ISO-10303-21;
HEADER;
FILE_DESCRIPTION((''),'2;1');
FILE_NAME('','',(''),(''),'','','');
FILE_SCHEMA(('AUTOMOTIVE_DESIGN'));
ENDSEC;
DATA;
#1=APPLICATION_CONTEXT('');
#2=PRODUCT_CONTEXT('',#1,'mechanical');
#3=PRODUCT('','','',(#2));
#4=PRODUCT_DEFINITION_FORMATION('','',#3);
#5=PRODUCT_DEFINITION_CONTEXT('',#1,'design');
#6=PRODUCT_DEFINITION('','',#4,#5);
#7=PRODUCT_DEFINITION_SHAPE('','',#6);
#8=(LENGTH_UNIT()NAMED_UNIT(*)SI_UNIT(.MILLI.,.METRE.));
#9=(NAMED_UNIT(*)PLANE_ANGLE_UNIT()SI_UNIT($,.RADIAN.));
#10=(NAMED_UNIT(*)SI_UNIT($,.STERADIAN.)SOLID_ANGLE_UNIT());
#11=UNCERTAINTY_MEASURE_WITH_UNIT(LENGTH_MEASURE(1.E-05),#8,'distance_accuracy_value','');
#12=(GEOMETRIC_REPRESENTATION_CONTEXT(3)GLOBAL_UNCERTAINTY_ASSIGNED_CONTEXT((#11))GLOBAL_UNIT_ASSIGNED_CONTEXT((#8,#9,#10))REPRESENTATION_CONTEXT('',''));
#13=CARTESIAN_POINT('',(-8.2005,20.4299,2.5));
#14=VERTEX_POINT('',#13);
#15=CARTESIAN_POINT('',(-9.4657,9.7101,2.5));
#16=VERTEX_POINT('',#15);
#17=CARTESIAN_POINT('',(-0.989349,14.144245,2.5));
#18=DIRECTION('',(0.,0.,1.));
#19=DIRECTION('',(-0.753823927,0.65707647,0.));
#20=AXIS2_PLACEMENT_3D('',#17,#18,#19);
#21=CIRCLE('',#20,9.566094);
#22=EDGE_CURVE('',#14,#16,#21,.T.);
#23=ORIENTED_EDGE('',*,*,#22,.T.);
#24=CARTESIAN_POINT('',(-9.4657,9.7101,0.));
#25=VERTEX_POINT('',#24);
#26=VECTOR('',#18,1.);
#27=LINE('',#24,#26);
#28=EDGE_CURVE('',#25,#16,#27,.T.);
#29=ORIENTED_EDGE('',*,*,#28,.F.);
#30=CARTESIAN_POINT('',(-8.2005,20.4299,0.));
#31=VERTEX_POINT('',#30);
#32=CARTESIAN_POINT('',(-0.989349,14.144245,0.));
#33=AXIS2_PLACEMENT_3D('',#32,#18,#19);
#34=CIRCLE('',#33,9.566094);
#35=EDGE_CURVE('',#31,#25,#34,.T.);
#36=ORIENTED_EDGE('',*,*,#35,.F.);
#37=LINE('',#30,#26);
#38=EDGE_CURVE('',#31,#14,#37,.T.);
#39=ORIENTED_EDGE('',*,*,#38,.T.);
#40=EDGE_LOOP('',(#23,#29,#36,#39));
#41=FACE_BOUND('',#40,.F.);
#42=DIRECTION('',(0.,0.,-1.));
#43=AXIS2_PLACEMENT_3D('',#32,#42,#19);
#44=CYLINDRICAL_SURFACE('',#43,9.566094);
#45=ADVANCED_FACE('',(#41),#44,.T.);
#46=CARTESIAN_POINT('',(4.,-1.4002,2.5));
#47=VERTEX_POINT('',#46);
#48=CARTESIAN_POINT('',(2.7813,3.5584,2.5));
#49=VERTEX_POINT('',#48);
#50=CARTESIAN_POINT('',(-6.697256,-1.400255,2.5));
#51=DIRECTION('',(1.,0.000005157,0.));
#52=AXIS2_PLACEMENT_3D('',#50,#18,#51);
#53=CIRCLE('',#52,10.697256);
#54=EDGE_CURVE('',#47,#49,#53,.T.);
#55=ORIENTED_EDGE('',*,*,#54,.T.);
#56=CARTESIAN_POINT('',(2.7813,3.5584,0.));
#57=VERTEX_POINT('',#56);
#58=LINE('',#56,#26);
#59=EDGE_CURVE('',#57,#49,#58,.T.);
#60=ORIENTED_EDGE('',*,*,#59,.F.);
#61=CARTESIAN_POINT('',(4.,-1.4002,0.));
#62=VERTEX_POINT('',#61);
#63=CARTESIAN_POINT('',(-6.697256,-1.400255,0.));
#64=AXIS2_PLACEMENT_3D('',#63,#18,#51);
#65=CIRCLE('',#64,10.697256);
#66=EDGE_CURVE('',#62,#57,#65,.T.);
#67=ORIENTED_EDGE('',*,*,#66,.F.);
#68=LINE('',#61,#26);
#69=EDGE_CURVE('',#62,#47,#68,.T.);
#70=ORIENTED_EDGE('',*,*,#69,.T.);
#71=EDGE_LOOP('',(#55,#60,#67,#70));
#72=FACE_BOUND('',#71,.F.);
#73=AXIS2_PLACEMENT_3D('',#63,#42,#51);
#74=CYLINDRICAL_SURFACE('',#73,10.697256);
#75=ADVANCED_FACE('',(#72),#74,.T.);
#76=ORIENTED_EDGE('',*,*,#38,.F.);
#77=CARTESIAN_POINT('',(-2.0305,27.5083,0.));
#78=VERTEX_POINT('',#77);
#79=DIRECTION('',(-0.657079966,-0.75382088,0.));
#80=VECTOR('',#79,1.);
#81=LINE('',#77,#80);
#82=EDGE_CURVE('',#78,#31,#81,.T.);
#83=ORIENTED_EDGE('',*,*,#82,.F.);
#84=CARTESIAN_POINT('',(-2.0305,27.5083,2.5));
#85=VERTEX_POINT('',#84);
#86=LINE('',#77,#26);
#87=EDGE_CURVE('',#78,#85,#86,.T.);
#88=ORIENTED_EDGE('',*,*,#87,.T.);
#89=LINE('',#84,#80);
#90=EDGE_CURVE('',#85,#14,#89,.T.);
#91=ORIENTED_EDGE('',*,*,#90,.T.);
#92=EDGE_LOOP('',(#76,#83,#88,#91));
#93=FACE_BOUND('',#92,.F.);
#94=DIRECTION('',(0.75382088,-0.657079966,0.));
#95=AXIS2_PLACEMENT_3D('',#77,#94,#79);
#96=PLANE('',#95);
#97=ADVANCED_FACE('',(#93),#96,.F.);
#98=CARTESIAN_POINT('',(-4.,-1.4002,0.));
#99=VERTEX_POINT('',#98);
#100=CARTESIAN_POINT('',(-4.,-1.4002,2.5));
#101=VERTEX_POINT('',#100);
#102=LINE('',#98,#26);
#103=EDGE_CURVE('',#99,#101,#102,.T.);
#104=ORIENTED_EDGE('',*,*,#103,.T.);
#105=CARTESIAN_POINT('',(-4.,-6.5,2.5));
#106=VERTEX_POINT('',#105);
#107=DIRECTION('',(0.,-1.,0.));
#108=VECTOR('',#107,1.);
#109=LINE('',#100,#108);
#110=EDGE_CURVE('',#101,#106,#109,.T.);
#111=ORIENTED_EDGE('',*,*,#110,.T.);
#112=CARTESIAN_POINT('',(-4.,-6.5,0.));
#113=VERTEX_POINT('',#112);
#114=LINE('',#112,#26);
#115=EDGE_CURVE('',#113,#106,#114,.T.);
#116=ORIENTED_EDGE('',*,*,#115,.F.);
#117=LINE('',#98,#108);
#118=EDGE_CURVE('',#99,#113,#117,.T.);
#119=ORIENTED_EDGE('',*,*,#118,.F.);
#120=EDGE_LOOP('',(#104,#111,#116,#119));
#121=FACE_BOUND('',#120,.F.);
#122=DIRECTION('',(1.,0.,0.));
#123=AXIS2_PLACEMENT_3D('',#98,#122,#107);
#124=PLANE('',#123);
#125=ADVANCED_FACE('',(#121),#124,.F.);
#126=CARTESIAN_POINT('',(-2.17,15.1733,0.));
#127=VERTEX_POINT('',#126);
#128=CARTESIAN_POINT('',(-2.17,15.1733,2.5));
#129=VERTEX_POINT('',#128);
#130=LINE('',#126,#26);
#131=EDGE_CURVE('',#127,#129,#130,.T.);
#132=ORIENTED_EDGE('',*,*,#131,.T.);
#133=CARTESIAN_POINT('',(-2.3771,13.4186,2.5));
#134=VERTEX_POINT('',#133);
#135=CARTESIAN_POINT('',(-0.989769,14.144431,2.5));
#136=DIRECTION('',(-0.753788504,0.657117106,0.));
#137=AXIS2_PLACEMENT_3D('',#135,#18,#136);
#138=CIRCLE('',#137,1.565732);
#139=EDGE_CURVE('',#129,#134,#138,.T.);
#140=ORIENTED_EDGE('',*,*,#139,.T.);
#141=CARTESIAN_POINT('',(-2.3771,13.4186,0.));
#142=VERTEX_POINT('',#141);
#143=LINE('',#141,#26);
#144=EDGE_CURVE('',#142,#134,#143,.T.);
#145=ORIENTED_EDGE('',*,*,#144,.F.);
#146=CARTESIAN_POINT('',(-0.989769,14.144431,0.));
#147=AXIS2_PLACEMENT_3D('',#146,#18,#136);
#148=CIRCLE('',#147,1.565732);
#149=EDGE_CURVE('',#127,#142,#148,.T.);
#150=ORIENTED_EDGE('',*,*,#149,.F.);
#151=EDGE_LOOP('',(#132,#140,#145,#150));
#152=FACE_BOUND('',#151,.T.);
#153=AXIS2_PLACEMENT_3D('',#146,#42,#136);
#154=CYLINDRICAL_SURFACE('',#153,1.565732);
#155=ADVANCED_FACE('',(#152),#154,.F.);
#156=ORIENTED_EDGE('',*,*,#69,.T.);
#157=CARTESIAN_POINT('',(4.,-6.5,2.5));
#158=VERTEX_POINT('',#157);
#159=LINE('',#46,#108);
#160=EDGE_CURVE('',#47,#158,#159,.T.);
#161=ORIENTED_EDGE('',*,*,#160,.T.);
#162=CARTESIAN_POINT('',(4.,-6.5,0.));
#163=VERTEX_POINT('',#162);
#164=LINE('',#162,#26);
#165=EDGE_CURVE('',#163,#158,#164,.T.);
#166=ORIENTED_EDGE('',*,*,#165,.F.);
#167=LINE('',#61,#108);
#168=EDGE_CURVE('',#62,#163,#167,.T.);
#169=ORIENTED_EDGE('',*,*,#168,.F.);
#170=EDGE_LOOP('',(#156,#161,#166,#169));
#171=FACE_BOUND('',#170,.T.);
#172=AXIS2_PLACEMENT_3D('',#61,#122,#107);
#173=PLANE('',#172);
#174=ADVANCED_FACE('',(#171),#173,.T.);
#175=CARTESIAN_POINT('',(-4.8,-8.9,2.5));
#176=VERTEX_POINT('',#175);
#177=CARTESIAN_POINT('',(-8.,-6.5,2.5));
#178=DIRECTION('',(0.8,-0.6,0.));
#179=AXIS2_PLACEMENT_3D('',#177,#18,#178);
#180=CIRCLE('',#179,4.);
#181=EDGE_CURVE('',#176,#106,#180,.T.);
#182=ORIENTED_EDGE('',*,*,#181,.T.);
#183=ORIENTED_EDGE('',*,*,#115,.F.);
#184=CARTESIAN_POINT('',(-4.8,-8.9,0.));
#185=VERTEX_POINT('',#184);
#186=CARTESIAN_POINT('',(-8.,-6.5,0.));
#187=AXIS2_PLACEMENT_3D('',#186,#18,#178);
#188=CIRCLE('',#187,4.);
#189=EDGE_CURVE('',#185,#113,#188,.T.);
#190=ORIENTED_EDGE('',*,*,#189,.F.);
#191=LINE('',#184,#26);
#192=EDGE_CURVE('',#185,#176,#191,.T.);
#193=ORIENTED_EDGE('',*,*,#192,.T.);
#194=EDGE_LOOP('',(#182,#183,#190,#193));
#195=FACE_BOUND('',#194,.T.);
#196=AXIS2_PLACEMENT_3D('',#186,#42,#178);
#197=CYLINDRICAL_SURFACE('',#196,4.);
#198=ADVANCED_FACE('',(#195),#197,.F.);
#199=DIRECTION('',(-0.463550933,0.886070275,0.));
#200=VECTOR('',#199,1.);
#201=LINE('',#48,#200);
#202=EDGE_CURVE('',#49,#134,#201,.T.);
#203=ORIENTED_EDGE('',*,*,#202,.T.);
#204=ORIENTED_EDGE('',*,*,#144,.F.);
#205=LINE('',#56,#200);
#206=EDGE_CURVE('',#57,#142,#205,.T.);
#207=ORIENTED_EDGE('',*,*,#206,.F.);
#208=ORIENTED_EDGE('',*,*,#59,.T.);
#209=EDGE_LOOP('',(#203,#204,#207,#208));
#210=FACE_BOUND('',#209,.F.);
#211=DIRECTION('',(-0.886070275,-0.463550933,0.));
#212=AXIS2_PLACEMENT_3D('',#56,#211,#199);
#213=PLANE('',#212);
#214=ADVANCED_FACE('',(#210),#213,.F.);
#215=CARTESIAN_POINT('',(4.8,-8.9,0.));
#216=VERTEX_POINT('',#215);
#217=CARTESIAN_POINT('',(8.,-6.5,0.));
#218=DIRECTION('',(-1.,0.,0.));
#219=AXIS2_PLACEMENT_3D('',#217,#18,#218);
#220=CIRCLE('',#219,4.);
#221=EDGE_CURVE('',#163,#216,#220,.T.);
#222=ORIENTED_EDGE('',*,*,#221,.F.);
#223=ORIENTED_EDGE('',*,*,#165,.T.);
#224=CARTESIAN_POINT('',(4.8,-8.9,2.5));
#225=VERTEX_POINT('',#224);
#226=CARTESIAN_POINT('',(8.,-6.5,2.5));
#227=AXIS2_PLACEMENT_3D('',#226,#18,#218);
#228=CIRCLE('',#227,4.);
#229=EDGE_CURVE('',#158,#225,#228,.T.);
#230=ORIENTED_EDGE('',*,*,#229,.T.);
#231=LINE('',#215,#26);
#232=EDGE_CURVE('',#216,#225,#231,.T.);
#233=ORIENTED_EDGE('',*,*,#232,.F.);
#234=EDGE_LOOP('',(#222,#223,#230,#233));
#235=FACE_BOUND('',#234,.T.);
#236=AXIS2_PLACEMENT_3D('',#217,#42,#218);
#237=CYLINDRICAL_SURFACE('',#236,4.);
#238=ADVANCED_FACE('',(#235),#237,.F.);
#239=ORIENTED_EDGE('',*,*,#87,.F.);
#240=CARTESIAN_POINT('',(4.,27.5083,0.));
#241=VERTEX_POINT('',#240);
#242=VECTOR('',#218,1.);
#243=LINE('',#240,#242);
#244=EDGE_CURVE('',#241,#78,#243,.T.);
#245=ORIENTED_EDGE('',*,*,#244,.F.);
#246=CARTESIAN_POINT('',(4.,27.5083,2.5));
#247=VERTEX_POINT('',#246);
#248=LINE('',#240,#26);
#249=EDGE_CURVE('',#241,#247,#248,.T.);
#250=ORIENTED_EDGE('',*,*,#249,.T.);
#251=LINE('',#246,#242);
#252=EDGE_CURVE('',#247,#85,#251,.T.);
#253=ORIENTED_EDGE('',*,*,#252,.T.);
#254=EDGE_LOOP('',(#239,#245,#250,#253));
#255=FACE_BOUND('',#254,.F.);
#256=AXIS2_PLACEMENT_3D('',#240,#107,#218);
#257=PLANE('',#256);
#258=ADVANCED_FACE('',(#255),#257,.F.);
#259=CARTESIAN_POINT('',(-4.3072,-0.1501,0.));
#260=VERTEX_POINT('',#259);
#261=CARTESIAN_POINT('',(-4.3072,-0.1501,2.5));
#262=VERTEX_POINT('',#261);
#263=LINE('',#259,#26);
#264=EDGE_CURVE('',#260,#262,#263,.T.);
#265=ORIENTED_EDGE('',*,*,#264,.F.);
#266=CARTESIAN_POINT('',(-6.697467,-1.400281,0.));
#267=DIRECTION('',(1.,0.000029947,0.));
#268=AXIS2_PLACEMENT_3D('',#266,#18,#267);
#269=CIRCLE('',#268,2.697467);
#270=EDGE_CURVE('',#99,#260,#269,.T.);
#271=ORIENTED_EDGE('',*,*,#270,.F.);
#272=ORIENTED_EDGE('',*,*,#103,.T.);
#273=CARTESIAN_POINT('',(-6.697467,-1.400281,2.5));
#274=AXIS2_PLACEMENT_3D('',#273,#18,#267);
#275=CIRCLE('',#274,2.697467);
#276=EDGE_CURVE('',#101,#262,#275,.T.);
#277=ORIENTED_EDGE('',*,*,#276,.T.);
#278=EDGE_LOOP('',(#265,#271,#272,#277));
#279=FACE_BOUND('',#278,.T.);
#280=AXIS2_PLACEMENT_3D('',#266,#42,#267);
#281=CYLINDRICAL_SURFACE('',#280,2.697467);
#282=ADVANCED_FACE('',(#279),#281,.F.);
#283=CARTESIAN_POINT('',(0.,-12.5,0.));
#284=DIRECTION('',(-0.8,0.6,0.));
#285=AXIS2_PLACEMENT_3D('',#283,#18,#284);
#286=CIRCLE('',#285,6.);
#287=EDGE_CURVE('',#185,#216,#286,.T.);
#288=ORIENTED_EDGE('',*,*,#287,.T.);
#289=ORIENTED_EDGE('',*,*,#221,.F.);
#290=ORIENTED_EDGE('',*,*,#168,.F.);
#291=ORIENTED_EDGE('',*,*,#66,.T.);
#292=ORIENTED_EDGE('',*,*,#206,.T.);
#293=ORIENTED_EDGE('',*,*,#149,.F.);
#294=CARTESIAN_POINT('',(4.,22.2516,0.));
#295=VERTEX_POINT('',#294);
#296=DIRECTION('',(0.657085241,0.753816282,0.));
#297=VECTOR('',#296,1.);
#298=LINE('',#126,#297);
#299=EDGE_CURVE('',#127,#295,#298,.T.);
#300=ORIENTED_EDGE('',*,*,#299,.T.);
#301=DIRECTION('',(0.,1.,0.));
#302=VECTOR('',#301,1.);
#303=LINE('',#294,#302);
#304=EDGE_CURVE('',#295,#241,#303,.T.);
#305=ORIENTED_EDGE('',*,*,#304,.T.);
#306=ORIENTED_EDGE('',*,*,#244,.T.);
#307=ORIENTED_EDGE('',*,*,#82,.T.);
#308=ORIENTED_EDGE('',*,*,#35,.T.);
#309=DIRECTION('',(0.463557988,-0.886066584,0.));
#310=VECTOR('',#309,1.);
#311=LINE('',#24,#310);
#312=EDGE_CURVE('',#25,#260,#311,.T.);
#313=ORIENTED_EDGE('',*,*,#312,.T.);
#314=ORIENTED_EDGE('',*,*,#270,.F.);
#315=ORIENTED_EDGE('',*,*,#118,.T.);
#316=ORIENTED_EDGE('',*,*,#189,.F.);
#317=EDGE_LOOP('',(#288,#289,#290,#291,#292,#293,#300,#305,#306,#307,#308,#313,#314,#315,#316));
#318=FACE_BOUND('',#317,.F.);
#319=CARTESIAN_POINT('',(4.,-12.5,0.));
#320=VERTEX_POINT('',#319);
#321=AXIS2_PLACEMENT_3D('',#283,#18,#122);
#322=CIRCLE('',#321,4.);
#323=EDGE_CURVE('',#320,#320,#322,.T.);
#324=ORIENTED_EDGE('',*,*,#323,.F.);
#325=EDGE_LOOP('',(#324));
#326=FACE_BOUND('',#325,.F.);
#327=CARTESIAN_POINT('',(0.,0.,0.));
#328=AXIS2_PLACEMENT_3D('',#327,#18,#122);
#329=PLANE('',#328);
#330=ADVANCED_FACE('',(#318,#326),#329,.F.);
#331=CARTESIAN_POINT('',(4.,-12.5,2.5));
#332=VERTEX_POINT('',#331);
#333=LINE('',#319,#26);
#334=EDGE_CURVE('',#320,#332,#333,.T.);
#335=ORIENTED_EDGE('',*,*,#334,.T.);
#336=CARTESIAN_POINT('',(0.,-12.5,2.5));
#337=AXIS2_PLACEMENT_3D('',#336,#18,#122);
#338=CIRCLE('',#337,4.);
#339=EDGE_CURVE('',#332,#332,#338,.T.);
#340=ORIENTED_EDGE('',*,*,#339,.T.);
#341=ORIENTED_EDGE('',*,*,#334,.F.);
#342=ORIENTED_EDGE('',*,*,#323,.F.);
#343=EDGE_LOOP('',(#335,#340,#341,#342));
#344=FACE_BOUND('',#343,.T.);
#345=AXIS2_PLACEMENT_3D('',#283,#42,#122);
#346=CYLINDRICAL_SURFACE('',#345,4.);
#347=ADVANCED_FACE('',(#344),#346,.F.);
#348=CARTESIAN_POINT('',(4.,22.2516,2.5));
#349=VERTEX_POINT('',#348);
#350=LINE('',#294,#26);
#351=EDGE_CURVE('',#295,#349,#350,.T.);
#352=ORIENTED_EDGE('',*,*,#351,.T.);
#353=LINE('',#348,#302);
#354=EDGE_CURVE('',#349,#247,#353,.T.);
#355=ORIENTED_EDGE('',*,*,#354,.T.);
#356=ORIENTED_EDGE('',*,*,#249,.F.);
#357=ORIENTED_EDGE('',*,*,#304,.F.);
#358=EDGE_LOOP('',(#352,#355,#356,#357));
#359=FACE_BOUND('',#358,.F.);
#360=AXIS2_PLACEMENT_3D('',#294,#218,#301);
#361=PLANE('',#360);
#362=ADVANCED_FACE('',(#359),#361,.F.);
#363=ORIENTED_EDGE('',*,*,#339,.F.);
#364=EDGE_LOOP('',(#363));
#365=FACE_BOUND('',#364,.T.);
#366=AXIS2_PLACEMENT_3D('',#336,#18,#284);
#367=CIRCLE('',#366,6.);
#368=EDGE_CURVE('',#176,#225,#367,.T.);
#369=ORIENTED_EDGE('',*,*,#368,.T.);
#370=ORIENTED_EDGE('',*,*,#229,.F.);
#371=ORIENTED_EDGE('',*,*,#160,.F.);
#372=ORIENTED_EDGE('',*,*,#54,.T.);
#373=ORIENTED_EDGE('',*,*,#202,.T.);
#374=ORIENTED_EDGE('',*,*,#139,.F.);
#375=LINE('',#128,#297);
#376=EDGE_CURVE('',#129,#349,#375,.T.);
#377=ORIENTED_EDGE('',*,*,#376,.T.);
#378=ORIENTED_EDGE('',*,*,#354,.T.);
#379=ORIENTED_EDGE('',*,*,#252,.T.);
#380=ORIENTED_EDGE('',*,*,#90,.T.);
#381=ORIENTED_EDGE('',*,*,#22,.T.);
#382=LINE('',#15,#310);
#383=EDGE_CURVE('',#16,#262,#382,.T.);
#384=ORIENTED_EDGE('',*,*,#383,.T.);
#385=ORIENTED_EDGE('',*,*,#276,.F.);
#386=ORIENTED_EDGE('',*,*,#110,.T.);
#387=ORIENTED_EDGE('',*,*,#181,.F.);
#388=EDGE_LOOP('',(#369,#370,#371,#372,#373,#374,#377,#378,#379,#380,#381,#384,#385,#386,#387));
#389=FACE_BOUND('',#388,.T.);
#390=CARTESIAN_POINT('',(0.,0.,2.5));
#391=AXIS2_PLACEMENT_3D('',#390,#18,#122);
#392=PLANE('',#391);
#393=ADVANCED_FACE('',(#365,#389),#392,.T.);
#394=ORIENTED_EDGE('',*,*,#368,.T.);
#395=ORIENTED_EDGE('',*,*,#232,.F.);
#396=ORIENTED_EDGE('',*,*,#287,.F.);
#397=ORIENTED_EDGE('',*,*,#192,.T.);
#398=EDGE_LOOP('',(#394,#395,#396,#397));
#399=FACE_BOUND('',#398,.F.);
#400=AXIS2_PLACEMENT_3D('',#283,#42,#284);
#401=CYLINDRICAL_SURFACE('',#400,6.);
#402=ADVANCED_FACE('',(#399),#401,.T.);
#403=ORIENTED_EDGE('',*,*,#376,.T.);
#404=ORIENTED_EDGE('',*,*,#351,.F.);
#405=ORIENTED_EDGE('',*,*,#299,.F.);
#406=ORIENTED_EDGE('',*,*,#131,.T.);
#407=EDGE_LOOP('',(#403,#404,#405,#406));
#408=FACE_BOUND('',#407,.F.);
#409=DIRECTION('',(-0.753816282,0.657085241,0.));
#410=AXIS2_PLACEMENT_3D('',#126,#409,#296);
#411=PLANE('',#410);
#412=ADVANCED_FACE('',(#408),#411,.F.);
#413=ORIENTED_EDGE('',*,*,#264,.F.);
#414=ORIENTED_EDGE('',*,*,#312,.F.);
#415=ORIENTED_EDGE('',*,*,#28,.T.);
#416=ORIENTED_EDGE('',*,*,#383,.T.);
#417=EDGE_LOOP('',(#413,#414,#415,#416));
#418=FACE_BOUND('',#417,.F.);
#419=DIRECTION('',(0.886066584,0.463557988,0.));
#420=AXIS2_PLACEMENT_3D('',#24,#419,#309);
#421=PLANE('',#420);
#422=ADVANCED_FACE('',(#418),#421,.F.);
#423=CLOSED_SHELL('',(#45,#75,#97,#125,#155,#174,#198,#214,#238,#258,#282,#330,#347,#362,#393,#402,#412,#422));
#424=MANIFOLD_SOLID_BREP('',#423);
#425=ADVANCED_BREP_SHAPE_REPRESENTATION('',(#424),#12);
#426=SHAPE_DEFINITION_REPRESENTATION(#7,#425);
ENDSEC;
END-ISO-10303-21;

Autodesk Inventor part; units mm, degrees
ref_plane "YZ Plane" through (0, 0, 0) normal (1, 0, 0) x (0, 1, 0)
ref_plane "XZ Plane" through (0, 0, 0) normal (0, 1, 0) x (-1, 0, 0)
ref_plane "XY Plane" through (0, 0, 0) normal (0, 0, 1) x (1, 0, 0)
sketch "Sketch1" plane through (0, 0, 0) normal (0, 0, 1) x (1, 0, 0)
  line L0 (0, 0) -> (2.8584, 0)
  line L1 (0, 0) -> (0, 3.8884)
  circle A0 centre (0, -12.5) radius 4
  arc A1 (-4.8, -8.9) -> (4.8, -8.9) centre (0, -12.5) ccw
  line L2 (4, -1.4002) -> (4, -6.5)
  line L3 (-9.4657, 9.7101) -> (-4.3072, -0.1501)
  arc A2 (-4, -1.4002) -> (-4.3072, -0.1501) centre (-6.6968, -1.4002) ccw
  line L4 (-4, -1.4002) -> (-4, -6.5)
  line L5 (4, -6.5) -> (4, -1.4002)
  arc A3 (4, -1.4002) -> (2.7813, 3.5584) centre (-6.6968, -1.4002) ccw
  line L6 (2.7813, 3.5584) -> (-2.3771, 13.4186)
  arc A4 (-2.17, 15.1733) -> (-2.3771, 13.4186) centre (-0.9897, 14.1444) ccw
  line L7 (-2.17, 15.1733) -> (4, 22.2516)
  line L8 (4, 22.2516) -> (4, 27.5083)
  line L9 (4, 27.5083) -> (-2.0305, 27.5083)
  line L10 (-2.0305, 27.5083) -> (-8.2005, 20.4299)
  arc A5 (-8.2005, 20.4299) -> (-9.4657, 9.7101) centre (-0.9897, 14.1444) ccw
  line L11 (-4, -6.5) -> (-4, -1.4002)
  arc A6 (-4.8, -8.9) -> (-4, -6.5) centre (-8, -6.5) ccw
  arc A7 (4, -6.5) -> (4.8, -8.9) centre (8, -6.5) ccw
  dimension "d1" = 8
  dimension "d16" = 8
  dimension "d17" = 8
  dimension "d18" = 25
  dimension "d19" = 4
  dimension "d20" = 2
  dimension "d21" = 2.8003
  dimension "d22" = 13.3936
  dimension "d23" = 1.9794
  dimension "d24" = 28.2888
  dimension "d25" = 0
extrude "Extrusion1" add sketch "Sketch1" along normal blind 2.5
properties part number "gripper" material "Polystyrene"
